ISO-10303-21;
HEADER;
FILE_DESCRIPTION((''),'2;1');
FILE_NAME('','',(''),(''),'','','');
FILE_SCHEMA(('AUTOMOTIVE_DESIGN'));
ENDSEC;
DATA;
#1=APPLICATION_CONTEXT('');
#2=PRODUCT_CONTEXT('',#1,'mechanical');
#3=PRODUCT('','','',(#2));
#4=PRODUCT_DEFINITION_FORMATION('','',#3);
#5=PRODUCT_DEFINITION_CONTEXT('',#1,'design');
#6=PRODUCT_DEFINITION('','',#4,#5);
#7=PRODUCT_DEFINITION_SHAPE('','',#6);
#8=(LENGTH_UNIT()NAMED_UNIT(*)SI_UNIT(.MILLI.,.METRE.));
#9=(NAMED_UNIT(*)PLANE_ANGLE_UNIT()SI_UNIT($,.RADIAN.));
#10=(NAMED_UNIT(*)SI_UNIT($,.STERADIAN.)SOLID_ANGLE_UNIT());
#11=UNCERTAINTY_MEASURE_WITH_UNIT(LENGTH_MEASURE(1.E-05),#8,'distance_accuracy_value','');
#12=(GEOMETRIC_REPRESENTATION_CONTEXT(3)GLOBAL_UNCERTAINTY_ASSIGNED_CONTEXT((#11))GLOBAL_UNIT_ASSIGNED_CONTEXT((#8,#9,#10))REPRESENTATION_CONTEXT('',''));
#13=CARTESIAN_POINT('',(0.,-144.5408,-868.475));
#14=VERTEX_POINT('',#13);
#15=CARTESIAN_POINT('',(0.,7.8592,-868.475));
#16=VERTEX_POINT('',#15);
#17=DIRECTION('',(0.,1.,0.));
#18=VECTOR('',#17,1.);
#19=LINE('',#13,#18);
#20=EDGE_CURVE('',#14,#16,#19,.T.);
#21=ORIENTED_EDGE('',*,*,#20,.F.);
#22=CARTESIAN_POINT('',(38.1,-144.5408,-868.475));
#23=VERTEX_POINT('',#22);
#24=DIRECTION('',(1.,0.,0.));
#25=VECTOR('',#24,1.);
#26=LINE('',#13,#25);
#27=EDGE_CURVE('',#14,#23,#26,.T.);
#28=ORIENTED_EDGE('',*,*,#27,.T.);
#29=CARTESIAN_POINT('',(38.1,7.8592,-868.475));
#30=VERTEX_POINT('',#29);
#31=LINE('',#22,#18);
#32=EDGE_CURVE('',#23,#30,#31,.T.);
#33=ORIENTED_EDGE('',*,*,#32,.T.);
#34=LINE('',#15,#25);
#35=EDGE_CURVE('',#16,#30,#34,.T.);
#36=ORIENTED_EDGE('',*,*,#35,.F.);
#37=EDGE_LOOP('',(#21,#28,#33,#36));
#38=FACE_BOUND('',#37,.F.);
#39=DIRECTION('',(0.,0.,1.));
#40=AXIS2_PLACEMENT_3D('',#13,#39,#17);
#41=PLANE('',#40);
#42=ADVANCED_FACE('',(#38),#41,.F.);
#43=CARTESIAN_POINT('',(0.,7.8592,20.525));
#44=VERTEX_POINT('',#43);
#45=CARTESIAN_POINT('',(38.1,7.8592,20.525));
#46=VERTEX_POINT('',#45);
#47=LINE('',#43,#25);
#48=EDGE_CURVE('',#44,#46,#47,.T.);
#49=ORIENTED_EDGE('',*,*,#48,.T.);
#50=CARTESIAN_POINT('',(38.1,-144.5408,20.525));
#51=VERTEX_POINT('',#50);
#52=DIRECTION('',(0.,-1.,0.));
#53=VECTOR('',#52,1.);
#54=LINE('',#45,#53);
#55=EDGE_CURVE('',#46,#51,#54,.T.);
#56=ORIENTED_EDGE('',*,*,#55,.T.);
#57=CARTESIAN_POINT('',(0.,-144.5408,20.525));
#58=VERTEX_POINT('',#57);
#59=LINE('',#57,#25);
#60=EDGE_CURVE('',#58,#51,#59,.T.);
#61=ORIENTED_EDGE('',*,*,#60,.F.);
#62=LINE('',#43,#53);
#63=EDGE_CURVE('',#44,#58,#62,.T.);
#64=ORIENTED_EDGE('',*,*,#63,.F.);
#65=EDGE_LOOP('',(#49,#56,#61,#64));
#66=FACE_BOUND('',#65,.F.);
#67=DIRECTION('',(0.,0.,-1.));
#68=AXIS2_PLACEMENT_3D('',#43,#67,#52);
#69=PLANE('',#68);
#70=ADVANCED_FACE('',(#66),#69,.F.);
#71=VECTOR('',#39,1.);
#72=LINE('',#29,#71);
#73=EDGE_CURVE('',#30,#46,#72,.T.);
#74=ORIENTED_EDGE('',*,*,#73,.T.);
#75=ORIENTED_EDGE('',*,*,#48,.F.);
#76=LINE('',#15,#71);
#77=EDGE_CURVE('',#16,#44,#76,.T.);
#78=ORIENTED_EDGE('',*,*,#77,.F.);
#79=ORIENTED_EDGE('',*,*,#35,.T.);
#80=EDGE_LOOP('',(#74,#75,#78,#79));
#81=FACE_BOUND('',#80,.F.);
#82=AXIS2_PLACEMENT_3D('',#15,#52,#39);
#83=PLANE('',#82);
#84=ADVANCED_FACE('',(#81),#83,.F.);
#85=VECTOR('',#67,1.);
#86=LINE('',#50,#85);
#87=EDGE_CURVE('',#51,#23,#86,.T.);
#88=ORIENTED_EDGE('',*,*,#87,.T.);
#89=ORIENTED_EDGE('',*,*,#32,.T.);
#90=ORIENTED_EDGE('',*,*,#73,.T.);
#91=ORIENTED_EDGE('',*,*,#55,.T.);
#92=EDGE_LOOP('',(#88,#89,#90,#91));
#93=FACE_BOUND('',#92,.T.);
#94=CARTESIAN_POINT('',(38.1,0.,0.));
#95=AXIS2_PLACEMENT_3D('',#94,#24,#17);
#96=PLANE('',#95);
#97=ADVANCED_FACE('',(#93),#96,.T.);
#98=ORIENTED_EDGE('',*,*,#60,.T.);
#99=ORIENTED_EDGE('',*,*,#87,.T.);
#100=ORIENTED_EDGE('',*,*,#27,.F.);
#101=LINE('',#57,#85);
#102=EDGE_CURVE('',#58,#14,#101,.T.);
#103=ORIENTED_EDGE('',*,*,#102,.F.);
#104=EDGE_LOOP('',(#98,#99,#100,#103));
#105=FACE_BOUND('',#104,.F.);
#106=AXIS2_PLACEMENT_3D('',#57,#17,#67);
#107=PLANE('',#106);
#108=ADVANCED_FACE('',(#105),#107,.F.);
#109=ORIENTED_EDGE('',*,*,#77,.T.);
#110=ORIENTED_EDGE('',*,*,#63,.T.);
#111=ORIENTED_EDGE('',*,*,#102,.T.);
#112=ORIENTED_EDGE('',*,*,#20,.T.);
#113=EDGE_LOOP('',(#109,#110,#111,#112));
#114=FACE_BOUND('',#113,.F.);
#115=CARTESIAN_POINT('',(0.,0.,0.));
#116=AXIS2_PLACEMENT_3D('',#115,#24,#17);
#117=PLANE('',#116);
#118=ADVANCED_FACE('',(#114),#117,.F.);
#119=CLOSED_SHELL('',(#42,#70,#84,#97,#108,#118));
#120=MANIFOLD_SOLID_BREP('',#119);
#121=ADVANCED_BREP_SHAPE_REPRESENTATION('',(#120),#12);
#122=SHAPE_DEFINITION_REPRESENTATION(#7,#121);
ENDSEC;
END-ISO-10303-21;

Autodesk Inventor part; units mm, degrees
ref_plane "YZ Plane" through (0, 0, 0) normal (1, 0, 0) x (0, 1, 0)
ref_plane "XZ Plane" through (0, 0, 0) normal (0, 1, 0) x (-1, 0, 0)
ref_plane "XY Plane" through (0, 0, 0) normal (0, 0, 1) x (1, 0, 0)
sketch "Sketch1" plane through (0, 0, 0) normal (1, 0, 0) x (0, 1, 0)
  line L0 (7.8592, 20.525) -> (-144.5408, 20.525)
  line L1 (-144.5408, 20.525) -> (-144.5408, -868.475)
  line L2 (-144.5408, -868.475) -> (7.8592, -868.475)
  line L3 (7.8592, -868.475) -> (7.8592, 20.525)
  point P0 (0, 0)
  dimension "d0" = 152.4
  dimension "d1" = 889
extrude "Extrusion1" add sketch "Sketch1" along normal blind 38.1
properties part number "support1"
